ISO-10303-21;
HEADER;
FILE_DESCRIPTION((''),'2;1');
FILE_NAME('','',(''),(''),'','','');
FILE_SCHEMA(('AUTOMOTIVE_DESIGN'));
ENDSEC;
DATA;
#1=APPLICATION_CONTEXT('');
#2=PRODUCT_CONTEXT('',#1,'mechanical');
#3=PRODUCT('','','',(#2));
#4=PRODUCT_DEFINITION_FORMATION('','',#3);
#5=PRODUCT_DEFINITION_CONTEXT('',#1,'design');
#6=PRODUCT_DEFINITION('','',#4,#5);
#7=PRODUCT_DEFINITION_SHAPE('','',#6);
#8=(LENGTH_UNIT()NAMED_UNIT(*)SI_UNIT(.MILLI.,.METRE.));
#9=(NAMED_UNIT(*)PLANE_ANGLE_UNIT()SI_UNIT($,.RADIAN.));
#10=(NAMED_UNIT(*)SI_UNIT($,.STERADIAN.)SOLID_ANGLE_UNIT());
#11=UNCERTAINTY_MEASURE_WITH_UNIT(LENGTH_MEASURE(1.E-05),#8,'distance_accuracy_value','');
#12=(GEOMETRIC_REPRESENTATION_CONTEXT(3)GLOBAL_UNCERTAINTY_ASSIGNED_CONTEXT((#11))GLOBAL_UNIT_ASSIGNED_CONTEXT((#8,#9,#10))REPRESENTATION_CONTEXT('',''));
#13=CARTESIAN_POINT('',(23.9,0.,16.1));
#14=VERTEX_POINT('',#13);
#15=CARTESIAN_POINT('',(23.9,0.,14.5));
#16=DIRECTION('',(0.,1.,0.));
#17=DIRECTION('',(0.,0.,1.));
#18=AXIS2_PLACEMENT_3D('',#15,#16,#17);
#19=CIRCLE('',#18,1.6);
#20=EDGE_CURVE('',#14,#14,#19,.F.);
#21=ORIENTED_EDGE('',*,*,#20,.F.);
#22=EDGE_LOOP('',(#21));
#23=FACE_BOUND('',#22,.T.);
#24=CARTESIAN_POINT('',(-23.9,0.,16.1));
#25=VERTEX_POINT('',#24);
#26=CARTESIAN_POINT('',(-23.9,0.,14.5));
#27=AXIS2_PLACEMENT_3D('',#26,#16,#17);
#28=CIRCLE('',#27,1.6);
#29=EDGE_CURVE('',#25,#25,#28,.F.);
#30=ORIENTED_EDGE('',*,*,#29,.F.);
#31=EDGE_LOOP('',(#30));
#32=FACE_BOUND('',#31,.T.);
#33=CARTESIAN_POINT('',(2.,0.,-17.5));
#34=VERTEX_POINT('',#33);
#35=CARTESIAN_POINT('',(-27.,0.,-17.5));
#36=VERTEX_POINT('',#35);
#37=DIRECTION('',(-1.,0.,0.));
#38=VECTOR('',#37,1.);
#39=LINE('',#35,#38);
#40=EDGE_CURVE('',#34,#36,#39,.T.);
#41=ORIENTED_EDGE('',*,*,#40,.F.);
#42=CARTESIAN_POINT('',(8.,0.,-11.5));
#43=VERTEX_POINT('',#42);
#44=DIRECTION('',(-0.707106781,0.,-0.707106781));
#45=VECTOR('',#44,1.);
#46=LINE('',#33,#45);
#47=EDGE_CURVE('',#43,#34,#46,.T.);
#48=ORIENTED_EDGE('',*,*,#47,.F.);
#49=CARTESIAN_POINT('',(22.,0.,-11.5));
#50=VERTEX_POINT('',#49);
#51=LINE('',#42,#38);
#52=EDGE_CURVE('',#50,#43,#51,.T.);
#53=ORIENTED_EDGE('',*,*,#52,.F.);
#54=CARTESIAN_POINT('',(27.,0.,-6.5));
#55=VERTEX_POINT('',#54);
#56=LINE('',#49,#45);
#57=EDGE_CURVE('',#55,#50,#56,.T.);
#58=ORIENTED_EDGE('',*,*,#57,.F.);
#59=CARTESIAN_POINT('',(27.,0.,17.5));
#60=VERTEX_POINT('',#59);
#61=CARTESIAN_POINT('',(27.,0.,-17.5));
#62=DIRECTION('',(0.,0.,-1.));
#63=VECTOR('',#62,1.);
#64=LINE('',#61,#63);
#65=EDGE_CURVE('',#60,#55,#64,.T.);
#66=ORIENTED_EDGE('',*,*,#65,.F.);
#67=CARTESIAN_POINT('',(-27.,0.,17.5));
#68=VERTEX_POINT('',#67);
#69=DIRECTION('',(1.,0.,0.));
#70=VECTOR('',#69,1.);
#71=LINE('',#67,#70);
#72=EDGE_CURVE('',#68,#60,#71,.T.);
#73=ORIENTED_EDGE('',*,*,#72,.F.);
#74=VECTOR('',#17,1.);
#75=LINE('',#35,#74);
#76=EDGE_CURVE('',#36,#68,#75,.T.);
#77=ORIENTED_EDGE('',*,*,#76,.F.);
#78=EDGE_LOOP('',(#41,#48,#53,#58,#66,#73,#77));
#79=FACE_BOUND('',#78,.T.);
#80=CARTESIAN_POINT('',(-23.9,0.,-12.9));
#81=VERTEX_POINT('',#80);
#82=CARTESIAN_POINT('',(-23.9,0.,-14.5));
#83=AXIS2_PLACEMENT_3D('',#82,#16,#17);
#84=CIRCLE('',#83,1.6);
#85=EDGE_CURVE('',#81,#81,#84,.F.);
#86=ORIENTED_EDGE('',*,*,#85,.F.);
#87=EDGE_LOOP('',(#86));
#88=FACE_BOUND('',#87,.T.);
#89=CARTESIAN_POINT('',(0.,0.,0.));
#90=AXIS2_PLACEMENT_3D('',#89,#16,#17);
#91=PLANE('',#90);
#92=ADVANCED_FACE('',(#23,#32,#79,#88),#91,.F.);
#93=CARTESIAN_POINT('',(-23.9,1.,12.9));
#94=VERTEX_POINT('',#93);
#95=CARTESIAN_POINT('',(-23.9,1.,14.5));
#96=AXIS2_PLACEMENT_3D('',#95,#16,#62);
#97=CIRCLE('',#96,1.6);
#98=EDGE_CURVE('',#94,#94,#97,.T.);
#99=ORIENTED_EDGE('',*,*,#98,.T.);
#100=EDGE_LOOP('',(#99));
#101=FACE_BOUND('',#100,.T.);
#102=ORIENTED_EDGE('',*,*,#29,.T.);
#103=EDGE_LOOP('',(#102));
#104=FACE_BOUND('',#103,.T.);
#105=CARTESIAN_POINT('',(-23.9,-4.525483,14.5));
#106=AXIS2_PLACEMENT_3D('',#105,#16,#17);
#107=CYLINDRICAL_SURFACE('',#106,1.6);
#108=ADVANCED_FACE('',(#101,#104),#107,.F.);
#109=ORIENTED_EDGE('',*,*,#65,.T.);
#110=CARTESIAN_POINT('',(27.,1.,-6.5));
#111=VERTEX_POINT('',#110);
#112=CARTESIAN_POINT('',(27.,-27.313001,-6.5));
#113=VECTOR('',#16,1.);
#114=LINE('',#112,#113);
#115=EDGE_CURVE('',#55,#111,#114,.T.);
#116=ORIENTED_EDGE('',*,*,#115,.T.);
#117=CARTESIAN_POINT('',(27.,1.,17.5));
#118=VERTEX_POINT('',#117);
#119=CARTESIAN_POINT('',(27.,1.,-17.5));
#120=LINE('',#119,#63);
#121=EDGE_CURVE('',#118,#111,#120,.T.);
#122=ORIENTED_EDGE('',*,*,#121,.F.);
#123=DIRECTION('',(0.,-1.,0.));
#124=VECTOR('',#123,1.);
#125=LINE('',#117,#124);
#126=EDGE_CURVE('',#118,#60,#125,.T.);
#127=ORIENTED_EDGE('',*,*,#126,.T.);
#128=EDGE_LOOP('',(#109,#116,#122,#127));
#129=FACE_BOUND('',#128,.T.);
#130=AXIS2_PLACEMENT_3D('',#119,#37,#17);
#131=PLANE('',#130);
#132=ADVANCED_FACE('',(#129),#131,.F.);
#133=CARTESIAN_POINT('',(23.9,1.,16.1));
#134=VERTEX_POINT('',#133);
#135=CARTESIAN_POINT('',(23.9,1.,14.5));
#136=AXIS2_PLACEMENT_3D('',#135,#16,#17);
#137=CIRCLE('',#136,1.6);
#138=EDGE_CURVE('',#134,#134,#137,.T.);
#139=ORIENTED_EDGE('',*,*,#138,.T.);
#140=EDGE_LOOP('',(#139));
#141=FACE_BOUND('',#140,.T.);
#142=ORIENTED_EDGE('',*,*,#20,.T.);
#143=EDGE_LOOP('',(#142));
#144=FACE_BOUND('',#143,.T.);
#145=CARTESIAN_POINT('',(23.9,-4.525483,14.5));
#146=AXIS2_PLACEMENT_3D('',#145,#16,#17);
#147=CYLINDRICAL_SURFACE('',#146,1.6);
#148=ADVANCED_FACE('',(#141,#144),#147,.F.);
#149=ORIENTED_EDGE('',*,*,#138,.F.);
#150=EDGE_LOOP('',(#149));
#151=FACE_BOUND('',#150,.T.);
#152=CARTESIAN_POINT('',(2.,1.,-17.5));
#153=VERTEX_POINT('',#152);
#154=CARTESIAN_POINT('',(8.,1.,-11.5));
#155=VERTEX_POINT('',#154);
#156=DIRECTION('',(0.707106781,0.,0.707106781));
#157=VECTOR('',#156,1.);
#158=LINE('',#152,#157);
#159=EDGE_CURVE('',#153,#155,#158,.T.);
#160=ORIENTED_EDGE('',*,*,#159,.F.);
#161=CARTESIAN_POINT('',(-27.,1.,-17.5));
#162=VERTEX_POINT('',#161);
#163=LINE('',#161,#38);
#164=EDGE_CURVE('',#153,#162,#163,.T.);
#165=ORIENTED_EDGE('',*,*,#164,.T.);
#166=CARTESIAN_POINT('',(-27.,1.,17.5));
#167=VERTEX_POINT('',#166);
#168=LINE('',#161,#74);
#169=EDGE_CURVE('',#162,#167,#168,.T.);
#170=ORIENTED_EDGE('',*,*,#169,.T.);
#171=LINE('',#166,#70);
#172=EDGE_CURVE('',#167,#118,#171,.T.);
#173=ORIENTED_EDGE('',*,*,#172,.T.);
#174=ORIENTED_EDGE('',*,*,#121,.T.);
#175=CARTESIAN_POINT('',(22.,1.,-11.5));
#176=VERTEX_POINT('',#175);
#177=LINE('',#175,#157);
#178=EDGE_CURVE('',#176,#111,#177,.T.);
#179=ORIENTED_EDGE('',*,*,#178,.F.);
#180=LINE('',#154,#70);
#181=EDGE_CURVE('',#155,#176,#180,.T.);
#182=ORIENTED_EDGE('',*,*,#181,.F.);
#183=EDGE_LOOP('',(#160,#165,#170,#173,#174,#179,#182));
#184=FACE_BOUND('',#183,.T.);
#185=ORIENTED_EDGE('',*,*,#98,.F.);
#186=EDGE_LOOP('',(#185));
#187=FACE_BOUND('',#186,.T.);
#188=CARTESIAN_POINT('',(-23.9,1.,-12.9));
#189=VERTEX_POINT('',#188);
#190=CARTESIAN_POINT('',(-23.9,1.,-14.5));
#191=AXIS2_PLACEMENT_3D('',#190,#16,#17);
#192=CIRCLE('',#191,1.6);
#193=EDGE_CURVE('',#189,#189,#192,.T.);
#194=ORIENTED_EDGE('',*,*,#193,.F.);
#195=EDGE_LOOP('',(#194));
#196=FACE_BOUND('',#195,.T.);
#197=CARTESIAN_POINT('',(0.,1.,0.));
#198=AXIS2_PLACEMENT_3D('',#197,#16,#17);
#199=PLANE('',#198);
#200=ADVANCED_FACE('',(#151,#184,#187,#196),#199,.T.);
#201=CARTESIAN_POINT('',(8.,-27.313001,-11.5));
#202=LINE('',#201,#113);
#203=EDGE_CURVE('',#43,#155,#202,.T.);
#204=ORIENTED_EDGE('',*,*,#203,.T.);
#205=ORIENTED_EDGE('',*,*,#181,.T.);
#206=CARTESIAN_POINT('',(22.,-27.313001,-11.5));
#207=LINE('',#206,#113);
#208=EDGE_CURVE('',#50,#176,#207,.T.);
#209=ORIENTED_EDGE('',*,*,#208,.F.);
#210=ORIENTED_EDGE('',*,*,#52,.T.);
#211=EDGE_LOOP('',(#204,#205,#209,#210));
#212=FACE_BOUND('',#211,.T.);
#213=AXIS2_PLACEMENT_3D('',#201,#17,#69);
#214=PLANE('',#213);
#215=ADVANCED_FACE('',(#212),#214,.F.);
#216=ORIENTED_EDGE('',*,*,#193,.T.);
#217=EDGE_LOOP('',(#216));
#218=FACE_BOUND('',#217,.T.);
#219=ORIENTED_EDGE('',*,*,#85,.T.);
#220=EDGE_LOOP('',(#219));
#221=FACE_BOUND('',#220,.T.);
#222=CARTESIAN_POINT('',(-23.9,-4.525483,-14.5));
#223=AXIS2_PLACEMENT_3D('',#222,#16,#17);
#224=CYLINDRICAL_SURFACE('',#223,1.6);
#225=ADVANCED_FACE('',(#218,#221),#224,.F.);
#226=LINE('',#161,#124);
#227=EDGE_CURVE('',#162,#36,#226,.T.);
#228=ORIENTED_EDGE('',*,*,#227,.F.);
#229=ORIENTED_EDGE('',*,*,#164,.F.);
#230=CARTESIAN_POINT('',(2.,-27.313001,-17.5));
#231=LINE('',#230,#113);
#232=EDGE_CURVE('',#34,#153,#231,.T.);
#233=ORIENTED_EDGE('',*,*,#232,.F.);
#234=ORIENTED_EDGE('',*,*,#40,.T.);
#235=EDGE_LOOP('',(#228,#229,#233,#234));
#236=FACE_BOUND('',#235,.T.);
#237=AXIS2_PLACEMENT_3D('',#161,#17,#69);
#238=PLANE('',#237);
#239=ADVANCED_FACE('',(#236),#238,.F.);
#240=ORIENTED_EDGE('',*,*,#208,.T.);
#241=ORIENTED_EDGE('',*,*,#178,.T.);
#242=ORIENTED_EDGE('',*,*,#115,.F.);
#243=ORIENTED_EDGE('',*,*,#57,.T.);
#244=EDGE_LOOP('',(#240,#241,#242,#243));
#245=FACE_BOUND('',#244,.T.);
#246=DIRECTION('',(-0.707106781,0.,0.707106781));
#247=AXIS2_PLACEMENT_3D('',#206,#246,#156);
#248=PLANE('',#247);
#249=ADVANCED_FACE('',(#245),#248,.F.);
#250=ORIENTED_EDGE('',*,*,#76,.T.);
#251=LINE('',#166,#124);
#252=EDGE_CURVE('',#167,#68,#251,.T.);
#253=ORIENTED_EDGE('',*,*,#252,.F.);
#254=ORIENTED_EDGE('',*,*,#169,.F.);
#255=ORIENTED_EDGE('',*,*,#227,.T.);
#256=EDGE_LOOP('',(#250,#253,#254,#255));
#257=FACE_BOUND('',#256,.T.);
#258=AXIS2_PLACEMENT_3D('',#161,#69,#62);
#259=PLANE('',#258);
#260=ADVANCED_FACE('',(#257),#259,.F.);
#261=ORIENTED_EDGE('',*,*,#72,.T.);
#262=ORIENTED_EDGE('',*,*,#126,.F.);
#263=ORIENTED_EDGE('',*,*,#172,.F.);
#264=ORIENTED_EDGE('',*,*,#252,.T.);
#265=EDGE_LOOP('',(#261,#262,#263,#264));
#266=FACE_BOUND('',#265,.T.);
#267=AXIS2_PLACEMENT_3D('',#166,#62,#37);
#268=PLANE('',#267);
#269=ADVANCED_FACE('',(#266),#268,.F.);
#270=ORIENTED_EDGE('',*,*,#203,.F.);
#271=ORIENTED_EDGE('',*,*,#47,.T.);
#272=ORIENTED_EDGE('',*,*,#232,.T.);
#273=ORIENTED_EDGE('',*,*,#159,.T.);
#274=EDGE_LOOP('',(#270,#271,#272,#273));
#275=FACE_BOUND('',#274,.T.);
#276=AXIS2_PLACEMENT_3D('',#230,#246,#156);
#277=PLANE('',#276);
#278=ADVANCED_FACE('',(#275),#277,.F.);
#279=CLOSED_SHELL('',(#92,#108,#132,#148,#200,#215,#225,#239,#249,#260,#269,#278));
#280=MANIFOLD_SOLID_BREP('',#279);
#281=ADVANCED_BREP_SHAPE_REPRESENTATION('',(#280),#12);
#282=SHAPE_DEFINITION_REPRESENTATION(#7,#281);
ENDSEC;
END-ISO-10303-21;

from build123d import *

# Parameters (mm, degrees)
SKETCH_1_W          = 54
SKETCH_1_H          = 35
EXTRUDE_1_DEPTH     = 1
CUT_EXTRUDE_1_DEPTH = 1
SKETCH_3_R          = 1.6
CUT_EXTRUDE_2_DEPTH = 1


with BuildPart() as part:
    # Эскиз1 → Бобышка-Вытянуть1 (new body)
    with BuildSketch(Plane(origin=(0, 0, 0), x_dir=(1, 0, 0), z_dir=(0, 1, 0))):
        Rectangle(SKETCH_1_W, SKETCH_1_H)
    extrude(amount=EXTRUDE_1_DEPTH)

    # Эскиз2 → Вырез-Вытянуть1 (cut)
    with BuildSketch(Plane(origin=(0, 1, 0), x_dir=(1, 0, 0), z_dir=(0, 1, 0))):
        Polygon((2, 17.5), (8, 11.5), (22, 11.5), (27, 6.5), (27, 17.5), align=None)
    extrude(amount=-CUT_EXTRUDE_1_DEPTH, mode=Mode.SUBTRACT)

    # Эскиз3 → Вырез-Вытянуть2 (cut)
    with BuildSketch(Plane(origin=(0, 1, 0), x_dir=(1, 0, 0), z_dir=(0, 1, 0))):
        with Locations((-23.9, 14.5)):
            Circle(SKETCH_3_R)
        with Locations((-23.9, -14.5)):
            Circle(SKETCH_3_R)
        with Locations((23.9, -14.5)):
            Circle(SKETCH_3_R)
    extrude(amount=-CUT_EXTRUDE_2_DEPTH, mode=Mode.SUBTRACT)


solid = part.part
